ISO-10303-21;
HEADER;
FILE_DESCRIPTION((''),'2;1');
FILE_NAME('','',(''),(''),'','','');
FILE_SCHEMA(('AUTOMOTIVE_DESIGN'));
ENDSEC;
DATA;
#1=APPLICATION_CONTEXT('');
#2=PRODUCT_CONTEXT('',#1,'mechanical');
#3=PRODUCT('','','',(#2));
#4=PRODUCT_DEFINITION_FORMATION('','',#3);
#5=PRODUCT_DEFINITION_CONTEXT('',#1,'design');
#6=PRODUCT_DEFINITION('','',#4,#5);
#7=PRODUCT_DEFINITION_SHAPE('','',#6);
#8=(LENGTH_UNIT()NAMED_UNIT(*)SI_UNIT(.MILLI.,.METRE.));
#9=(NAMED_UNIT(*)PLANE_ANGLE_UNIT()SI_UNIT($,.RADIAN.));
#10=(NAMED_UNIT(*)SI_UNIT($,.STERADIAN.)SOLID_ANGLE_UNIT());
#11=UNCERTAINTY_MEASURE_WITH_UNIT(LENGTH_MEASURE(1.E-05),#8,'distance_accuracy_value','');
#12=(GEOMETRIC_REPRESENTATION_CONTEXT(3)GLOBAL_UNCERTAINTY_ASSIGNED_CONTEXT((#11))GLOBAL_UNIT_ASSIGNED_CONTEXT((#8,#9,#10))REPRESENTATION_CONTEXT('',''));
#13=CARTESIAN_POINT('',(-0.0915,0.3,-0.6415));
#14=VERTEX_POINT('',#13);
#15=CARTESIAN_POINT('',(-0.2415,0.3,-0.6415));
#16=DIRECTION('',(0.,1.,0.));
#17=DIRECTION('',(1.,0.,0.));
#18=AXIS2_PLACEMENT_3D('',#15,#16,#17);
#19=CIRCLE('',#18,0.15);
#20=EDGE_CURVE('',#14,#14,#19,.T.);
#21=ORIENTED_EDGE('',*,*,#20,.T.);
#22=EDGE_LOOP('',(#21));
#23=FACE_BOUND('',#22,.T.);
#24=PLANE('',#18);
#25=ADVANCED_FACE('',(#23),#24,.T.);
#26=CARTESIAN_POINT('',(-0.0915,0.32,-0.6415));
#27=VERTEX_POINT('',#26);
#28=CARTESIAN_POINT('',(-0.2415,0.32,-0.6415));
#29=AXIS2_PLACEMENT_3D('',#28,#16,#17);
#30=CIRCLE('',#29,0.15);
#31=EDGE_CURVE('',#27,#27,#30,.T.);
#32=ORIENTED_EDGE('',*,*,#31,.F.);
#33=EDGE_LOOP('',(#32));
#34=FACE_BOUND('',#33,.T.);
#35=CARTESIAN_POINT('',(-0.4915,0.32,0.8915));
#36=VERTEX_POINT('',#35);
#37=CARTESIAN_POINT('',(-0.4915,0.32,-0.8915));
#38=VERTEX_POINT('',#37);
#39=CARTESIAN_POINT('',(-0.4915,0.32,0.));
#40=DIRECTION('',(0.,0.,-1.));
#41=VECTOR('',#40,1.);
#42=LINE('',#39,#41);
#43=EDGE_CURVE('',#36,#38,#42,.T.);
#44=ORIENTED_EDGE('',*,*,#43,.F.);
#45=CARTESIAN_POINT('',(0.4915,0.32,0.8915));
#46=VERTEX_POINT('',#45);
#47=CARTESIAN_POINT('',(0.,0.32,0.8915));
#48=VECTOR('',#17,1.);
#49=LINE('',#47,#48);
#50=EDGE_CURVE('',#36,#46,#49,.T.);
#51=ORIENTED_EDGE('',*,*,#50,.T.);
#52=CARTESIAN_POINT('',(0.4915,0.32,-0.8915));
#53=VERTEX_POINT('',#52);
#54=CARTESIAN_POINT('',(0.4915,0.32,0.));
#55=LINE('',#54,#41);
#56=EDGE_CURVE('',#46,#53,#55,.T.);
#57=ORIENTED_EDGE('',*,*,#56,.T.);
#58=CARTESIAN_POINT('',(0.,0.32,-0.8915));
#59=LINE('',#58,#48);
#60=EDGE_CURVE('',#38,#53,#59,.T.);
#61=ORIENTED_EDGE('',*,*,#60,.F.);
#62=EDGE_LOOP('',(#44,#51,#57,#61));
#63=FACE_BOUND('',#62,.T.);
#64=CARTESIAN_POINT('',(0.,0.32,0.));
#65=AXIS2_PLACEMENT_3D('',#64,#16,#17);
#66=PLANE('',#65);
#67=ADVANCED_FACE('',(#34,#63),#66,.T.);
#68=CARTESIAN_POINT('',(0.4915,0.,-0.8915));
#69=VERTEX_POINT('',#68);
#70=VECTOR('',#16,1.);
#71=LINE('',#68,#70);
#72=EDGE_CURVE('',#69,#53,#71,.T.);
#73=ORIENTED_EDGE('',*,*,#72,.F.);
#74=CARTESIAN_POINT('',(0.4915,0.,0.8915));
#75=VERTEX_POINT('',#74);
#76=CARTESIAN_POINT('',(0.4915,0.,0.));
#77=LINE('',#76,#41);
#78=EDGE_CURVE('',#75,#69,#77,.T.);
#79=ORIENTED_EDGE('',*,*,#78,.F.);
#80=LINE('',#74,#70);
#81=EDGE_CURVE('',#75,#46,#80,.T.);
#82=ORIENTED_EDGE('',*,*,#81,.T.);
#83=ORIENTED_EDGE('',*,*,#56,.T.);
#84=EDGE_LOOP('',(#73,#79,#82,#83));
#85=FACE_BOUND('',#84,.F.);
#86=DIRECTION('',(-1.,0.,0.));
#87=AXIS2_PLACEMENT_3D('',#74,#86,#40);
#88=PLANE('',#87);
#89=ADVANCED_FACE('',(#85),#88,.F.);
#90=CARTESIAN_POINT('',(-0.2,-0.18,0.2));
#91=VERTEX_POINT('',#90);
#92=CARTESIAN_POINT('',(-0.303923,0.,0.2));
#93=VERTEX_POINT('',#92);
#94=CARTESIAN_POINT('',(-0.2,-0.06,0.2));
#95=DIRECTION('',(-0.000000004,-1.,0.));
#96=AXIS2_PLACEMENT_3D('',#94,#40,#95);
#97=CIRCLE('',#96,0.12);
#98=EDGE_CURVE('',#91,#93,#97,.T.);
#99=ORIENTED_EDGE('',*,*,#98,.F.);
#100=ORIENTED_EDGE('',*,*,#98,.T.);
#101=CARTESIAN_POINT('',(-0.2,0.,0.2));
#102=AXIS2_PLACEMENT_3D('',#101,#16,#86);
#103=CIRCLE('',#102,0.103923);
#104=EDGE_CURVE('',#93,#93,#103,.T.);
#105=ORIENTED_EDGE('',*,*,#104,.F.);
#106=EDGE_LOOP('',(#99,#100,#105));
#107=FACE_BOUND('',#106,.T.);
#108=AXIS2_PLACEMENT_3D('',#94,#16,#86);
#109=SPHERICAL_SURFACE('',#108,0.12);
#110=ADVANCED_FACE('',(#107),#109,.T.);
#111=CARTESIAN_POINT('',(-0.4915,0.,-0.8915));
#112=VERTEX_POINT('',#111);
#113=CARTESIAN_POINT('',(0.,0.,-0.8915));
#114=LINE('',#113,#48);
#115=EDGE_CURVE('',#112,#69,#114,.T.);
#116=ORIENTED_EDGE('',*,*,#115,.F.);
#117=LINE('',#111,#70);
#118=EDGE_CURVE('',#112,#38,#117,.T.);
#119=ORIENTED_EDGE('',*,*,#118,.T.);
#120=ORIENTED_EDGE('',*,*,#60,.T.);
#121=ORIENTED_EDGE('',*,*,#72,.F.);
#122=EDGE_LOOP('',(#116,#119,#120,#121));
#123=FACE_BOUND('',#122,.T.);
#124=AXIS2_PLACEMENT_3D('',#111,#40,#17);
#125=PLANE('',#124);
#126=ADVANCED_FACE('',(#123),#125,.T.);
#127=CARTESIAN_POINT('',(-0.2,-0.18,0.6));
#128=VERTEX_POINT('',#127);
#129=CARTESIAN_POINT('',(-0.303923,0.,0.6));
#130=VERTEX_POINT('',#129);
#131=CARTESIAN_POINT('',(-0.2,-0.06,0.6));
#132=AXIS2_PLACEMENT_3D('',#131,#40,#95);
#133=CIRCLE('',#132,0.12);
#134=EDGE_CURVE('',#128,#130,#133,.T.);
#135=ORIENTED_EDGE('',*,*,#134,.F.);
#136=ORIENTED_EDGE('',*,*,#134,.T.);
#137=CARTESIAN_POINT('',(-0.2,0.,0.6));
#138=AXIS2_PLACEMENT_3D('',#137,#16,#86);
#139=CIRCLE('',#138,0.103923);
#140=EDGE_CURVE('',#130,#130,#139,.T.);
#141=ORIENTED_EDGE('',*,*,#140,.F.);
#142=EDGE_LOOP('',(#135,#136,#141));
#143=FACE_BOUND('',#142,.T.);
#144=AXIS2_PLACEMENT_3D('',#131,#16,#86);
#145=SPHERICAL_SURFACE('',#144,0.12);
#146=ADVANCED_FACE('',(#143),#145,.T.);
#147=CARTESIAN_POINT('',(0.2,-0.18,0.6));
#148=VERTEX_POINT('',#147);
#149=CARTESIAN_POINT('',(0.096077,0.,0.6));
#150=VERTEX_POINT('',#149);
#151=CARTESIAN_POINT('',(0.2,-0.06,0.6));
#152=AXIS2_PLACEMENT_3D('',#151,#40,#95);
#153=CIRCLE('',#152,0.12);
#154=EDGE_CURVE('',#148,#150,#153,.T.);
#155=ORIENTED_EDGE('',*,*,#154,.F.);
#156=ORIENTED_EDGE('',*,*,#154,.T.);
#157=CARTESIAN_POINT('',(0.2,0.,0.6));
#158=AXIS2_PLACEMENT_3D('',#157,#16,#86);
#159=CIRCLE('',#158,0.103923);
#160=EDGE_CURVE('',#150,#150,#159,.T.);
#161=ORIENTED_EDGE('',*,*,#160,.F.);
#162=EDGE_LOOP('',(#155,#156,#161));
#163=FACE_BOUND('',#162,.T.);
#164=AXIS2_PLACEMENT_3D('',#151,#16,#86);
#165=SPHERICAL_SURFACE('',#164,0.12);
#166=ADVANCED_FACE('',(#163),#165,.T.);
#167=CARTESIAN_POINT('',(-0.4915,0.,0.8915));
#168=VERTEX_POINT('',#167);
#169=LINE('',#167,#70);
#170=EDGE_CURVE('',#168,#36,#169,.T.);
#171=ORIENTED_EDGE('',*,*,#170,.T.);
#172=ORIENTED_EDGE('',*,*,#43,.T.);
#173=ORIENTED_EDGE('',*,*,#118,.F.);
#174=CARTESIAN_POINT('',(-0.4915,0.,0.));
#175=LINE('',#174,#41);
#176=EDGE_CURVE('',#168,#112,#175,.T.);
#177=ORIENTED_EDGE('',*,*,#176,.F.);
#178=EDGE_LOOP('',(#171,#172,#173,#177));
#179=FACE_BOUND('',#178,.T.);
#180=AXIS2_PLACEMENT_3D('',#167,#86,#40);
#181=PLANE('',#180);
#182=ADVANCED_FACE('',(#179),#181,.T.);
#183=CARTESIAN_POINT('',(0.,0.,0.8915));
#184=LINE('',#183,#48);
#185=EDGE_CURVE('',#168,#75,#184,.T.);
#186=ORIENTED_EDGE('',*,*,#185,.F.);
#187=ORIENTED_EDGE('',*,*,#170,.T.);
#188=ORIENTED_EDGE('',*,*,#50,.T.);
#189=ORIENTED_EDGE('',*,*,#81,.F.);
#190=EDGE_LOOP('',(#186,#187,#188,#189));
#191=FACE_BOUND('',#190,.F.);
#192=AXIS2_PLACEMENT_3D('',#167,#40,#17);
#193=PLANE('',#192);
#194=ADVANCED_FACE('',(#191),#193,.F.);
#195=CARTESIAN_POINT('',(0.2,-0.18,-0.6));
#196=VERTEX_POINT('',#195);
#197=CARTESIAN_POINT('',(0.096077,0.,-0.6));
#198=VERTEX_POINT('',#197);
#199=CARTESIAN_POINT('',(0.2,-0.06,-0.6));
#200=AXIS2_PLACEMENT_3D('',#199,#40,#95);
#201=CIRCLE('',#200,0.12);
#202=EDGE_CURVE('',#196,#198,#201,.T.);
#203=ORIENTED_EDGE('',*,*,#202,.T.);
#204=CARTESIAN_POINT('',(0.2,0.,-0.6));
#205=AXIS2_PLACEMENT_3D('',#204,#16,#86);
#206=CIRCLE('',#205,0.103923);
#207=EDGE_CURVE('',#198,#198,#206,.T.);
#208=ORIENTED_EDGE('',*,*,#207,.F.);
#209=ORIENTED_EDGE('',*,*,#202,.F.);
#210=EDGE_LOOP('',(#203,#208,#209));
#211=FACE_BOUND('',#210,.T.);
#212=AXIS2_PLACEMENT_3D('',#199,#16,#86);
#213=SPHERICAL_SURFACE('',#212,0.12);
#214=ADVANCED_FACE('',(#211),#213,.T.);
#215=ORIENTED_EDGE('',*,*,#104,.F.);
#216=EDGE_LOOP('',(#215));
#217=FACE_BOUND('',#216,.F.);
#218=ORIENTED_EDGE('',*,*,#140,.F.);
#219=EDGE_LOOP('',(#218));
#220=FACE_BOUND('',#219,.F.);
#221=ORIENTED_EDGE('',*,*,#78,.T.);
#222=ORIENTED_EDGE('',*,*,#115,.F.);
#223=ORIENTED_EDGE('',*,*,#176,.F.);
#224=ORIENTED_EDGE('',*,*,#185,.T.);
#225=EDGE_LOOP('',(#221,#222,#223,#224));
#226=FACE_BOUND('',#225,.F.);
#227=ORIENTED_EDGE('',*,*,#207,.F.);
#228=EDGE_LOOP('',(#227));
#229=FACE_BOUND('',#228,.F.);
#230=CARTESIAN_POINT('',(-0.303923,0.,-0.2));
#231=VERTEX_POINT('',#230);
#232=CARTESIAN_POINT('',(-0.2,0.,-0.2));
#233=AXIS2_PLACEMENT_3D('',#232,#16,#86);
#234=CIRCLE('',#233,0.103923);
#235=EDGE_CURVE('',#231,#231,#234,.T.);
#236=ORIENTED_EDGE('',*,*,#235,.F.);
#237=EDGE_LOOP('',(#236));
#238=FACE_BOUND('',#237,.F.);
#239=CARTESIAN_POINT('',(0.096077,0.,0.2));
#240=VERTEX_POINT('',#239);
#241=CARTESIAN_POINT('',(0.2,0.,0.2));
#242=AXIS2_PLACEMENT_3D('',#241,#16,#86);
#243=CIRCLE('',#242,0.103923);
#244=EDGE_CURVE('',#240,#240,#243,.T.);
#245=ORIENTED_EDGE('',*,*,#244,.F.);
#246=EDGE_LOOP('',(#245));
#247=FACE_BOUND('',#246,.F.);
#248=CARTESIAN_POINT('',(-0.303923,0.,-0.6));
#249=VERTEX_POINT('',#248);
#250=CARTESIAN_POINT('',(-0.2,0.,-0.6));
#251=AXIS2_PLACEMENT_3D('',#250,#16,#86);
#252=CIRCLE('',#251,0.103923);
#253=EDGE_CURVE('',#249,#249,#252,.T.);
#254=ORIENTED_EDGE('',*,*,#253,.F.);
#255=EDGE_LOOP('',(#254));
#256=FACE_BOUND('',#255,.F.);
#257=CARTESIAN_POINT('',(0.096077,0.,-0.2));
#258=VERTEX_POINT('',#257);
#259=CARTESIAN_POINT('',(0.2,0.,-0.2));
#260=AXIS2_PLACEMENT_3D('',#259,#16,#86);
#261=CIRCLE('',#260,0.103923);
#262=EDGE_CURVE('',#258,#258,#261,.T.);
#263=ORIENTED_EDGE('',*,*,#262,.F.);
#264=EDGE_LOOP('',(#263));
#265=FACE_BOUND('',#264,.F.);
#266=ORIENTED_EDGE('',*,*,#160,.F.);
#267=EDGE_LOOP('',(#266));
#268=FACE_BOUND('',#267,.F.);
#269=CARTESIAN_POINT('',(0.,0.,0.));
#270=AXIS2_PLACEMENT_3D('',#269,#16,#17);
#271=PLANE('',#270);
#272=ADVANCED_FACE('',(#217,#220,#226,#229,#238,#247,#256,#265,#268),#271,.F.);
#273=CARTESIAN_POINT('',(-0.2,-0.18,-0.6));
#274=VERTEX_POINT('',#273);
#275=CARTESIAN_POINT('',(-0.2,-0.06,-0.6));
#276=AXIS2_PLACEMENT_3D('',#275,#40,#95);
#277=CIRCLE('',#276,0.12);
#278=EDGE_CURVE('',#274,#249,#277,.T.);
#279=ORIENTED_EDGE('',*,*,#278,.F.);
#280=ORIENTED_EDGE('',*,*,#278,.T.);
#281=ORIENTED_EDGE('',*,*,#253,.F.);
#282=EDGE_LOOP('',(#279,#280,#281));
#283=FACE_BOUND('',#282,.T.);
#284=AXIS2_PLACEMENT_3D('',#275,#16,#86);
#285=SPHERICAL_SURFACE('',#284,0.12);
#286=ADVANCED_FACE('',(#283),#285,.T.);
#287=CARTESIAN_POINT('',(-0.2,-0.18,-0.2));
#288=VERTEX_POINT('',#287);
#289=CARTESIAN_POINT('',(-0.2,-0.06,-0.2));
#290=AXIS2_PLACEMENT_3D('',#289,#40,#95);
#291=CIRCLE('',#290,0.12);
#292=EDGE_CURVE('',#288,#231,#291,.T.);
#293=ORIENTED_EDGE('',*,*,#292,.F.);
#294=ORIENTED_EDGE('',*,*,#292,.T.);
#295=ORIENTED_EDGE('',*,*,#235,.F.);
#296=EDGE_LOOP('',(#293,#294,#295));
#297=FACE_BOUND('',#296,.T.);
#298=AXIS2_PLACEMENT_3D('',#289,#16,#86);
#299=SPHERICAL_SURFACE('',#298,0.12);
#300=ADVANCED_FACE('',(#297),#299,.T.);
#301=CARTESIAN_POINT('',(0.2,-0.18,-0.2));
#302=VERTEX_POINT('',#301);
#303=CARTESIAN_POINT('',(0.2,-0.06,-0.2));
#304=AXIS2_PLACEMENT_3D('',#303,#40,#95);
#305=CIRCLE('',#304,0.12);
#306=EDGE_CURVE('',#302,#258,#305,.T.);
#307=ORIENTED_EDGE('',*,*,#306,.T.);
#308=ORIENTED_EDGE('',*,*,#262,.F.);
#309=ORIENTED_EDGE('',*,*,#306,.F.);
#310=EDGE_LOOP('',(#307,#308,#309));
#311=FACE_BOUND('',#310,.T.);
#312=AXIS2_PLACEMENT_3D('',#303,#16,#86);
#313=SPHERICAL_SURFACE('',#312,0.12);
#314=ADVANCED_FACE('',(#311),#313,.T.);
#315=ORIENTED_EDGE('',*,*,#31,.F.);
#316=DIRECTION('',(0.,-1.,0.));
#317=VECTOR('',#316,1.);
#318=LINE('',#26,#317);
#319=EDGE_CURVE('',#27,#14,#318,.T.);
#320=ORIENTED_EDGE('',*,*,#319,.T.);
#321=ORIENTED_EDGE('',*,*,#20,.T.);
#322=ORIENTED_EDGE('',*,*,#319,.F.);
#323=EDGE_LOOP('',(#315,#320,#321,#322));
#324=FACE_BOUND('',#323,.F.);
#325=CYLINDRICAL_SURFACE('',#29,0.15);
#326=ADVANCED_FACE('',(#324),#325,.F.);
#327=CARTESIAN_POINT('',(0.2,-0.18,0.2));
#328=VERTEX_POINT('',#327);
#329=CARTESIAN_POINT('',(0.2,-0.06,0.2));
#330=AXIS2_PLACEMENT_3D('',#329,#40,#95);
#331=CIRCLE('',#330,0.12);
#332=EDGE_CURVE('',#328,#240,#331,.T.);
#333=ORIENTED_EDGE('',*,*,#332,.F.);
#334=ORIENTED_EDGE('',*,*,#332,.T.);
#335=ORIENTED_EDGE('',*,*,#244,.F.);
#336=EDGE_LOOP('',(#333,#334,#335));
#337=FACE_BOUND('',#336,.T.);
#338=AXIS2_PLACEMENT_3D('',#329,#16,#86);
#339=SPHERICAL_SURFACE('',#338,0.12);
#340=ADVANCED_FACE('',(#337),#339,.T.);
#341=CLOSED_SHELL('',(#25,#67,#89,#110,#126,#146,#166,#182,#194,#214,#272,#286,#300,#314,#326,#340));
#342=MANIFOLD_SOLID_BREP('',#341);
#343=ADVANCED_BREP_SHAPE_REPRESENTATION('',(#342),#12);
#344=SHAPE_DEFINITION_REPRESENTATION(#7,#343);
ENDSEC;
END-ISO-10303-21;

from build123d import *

# Parameters (mm, degrees)
SKETCH1_W            = 0.983
SKETCH1_H            = 1.783
BOSS_EXTRUDE1_DEPTH  = 0.32
LPATTERN1_COUNT      = 4
LPATTERN1_PITCH      = 0.4
LPATTERN1_COUNT_DIR2 = 2
LPATTERN1_PITCH_DIR2 = 0.4
SKETCH3_R            = 0.15
CUT_EXTRUDE1_DEPTH   = 0.02


with BuildPart() as part:
    # Sketch1 → Boss-Extrude1 (new body)
    with BuildSketch(Plane(origin=(0, 0, 0), x_dir=(1, 0, 0), z_dir=(0, 1, 0))):
        Rectangle(SKETCH1_W, SKETCH1_H)
    extrude(amount=BOSS_EXTRUDE1_DEPTH)

    # Sketch2 → Revolve1 (revolve)
    with BuildSketch(Plane.XY.offset(0.6)):
        with BuildLine():
            Line((-0.303923048, 0), (-0.2, 0))
            Line((-0.2, 0), (-0.2, -0.18))
            ThreePointArc((-0.2, -0.18), (-0.303923048, -0.12), (-0.303923048, 0))
        make_face()
    revolve1 = revolve(axis=Axis((-0.2, -0.18, 0.6), (0, 1, 0)))

    # LPattern1: Revolve1 4 × 2
    with Locations(*[(j * LPATTERN1_PITCH_DIR2, 0, -i * LPATTERN1_PITCH) for i in range(LPATTERN1_COUNT) for j in range(LPATTERN1_COUNT_DIR2) if (i, j) != (0, 0)]):
        add(revolve1)

    # Sketch3 → Cut-Extrude1 (cut)
    with BuildSketch(Plane(origin=(0, 0.32, 0), x_dir=(1, 0, 0), z_dir=(0, 1, 0))):
        with Locations((-0.2415, 0.6415)):
            Circle(SKETCH3_R)
    extrude(amount=-CUT_EXTRUDE1_DEPTH, mode=Mode.SUBTRACT)


solid = part.part
